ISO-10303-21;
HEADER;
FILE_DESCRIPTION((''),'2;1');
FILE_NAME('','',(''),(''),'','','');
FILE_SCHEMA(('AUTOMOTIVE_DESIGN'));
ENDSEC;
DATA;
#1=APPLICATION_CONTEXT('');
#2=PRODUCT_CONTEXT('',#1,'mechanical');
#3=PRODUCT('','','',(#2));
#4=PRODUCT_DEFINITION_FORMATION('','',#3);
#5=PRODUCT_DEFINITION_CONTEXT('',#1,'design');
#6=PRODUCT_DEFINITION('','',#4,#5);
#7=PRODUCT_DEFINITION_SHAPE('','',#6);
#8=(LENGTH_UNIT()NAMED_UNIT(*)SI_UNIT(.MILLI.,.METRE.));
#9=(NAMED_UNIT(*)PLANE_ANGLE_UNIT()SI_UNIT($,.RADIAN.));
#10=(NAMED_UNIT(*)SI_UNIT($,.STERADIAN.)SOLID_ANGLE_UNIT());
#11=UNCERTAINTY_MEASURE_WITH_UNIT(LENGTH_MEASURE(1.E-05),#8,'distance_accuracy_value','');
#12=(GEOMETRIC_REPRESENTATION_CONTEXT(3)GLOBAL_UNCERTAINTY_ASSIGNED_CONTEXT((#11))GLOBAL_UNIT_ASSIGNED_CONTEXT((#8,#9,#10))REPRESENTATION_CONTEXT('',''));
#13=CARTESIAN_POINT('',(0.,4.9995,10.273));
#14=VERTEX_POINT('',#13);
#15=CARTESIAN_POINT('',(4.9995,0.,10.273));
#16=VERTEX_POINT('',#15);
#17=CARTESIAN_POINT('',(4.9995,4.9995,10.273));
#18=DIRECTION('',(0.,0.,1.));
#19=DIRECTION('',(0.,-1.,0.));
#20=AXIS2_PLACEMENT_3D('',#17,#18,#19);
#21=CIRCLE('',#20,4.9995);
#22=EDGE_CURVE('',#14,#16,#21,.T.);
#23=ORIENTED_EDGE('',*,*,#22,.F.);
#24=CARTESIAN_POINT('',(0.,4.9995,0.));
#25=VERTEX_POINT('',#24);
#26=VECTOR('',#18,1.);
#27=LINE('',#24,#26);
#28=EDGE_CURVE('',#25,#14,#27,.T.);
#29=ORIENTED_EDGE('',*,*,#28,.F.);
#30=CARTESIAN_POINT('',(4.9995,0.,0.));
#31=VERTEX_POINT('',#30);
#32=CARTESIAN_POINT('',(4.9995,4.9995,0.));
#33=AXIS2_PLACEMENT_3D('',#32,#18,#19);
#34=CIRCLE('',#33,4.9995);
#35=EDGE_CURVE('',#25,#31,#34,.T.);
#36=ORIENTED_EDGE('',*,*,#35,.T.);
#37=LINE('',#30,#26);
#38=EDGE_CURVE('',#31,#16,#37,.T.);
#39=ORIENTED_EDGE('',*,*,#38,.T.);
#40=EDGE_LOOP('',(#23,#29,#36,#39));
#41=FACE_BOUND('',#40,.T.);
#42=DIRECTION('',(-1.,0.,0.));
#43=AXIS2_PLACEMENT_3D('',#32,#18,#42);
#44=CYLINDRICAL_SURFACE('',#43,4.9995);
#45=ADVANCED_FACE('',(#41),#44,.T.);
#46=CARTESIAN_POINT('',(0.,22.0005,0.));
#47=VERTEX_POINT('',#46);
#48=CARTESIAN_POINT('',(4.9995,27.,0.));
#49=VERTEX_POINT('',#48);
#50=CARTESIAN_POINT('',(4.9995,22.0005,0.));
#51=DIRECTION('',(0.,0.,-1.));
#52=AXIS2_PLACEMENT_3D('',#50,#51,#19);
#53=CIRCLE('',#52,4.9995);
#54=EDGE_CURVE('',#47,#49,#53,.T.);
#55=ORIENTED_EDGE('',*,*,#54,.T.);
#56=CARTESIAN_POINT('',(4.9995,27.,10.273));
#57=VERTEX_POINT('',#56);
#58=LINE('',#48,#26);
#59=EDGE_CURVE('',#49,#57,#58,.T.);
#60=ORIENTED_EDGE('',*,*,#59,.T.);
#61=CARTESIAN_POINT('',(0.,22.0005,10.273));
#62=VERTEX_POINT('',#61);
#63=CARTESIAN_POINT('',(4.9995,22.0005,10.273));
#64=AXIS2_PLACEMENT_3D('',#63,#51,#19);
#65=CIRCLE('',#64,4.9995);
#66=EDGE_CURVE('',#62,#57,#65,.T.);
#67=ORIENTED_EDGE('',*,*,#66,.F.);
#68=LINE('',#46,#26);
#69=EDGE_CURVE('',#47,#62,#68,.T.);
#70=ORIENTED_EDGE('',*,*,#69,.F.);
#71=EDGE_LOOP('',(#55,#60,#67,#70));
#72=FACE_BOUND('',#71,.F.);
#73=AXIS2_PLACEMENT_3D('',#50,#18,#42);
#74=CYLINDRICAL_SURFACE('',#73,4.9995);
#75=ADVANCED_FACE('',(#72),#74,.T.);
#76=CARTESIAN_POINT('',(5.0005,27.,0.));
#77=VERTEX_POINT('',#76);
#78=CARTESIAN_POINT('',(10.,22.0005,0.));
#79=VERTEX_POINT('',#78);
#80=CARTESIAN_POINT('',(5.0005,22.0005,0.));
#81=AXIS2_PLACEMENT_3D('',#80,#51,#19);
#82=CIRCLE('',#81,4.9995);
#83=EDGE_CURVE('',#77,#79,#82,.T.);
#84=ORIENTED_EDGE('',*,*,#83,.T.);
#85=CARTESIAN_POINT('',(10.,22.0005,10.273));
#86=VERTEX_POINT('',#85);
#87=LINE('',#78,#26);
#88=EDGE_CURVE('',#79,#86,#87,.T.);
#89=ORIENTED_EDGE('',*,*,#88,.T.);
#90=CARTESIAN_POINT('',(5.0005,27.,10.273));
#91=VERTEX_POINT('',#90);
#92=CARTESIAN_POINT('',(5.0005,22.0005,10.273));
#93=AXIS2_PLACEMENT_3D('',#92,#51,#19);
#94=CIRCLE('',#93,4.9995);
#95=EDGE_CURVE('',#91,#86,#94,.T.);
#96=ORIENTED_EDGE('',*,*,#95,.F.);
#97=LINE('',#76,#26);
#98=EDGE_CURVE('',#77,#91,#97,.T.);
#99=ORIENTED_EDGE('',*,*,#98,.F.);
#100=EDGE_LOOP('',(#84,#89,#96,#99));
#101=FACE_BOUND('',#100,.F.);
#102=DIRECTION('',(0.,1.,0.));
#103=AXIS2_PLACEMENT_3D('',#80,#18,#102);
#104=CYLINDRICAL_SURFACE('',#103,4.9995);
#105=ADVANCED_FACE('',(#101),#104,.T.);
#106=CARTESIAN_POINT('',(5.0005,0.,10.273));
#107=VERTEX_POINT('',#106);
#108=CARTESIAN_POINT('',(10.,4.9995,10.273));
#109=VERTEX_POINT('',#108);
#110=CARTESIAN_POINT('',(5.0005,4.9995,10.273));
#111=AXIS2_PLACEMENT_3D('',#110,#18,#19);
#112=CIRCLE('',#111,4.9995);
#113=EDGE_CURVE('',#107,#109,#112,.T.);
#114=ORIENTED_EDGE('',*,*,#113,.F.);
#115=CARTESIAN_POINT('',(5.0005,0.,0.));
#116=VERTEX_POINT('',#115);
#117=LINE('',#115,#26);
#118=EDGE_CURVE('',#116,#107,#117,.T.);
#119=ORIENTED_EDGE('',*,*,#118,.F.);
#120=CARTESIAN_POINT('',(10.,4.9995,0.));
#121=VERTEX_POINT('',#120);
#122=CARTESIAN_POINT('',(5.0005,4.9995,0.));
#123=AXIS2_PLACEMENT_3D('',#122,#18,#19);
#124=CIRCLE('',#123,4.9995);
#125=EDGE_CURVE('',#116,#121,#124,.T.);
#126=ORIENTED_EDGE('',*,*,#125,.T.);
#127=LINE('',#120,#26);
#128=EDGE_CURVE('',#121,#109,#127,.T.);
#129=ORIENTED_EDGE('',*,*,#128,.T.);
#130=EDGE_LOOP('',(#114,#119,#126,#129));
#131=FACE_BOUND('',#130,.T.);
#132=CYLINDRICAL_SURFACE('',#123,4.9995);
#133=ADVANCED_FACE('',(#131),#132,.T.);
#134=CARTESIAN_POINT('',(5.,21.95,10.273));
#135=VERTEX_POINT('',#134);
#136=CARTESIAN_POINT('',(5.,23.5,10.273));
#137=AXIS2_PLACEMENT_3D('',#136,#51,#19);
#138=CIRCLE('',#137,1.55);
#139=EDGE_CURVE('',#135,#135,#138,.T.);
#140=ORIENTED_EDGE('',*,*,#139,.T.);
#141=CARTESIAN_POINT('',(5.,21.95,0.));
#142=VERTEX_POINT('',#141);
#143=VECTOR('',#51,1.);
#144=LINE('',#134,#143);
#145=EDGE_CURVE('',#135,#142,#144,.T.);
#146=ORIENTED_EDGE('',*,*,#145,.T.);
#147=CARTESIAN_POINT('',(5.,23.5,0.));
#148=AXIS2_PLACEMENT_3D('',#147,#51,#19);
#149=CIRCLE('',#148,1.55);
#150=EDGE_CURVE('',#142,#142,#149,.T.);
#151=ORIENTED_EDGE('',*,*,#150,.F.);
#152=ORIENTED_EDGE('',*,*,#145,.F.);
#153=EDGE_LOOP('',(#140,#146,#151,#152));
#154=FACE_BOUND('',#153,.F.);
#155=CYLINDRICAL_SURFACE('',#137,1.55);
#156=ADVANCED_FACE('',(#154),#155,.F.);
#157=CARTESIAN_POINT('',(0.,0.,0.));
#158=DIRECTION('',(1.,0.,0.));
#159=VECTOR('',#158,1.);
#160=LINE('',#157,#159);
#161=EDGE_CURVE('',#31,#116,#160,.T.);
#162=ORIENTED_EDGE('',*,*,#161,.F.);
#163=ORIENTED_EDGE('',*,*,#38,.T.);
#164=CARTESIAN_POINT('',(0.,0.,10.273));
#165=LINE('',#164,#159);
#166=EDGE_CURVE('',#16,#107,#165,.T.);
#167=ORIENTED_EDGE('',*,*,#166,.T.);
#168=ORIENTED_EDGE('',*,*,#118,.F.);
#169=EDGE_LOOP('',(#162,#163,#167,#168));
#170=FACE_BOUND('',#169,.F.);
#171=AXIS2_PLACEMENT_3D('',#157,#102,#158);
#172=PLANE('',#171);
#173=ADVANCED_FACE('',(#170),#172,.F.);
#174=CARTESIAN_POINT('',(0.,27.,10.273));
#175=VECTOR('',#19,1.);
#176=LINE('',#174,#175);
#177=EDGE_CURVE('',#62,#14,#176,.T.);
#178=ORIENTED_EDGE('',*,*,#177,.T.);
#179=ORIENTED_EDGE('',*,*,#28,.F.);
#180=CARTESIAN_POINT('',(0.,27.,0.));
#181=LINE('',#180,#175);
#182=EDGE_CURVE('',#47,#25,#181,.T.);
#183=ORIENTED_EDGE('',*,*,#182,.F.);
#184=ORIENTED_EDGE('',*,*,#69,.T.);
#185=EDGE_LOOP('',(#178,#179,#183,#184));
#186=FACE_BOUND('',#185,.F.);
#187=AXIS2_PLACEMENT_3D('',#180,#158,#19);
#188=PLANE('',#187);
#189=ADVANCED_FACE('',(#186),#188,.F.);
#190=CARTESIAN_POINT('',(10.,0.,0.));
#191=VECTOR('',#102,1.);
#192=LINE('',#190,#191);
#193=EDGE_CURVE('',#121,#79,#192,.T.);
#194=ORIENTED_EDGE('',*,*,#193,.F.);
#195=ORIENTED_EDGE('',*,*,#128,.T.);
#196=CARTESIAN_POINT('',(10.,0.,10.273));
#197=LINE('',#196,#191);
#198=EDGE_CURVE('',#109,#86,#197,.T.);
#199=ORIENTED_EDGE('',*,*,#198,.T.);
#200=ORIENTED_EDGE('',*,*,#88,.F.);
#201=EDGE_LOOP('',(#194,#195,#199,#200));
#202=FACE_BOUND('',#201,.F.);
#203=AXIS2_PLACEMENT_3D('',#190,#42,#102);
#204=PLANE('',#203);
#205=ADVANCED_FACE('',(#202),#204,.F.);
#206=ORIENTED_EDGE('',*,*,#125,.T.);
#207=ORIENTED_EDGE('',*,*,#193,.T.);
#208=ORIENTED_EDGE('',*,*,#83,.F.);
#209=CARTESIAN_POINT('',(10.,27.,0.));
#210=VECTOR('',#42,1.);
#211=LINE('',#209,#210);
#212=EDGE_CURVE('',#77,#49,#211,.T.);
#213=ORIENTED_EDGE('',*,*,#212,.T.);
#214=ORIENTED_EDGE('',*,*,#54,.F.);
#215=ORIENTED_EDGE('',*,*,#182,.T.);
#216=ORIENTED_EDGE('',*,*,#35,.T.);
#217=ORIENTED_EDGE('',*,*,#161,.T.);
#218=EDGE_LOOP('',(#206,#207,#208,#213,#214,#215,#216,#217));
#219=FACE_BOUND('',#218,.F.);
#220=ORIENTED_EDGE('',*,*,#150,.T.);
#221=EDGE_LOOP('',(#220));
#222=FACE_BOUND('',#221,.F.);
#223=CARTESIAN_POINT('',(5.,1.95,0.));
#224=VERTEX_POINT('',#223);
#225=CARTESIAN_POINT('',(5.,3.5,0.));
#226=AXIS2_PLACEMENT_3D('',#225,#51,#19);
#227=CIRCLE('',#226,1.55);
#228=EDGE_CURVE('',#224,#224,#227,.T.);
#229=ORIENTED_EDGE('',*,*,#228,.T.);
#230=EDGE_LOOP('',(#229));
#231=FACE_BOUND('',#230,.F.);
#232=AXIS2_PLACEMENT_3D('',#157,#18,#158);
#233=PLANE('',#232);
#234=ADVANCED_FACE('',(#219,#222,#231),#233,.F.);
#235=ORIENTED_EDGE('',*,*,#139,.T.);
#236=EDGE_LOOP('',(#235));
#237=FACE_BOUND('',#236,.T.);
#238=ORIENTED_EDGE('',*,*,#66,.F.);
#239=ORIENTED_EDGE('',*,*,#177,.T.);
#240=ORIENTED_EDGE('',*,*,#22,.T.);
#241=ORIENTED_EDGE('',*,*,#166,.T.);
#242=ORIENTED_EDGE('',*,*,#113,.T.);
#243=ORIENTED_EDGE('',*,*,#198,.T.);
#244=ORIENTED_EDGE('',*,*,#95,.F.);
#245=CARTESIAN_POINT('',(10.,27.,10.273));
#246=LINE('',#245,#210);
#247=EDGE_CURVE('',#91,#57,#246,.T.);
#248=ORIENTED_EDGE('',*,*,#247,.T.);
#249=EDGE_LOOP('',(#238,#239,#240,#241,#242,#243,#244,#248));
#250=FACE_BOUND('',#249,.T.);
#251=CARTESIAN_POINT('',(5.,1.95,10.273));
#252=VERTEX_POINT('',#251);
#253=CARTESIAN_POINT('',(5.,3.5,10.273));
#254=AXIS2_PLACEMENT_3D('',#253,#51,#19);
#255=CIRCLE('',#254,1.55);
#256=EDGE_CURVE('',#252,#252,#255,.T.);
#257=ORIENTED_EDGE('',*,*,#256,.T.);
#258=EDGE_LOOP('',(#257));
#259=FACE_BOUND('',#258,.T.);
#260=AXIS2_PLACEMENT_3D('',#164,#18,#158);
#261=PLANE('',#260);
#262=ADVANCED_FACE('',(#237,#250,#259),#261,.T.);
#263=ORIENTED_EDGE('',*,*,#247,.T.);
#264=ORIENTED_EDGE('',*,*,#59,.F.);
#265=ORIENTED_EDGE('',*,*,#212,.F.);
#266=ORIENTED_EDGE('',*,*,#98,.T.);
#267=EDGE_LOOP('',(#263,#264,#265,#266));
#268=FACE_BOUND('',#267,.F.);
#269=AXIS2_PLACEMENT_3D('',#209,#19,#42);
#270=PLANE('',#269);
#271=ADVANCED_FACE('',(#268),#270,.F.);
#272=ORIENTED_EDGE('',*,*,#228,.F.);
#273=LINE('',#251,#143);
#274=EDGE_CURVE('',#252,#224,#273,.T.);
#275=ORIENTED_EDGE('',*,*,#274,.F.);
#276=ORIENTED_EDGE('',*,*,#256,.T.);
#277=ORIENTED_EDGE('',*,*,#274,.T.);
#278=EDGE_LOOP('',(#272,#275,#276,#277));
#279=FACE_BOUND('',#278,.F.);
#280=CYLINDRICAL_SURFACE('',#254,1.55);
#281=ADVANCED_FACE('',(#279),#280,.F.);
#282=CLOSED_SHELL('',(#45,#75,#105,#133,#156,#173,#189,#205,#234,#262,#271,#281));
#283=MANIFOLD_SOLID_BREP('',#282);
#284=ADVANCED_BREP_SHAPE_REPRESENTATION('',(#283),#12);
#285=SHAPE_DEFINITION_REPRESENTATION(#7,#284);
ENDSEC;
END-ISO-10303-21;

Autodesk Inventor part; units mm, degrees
ref_plane "YZ Plane" through (0, 0, 0) normal (1, 0, 0) x (0, 1, 0)
ref_plane "XZ Plane" through (0, 0, 0) normal (0, 1, 0) x (-1, 0, 0)
ref_plane "XY Plane" through (0, 0, 0) normal (0, 0, 1) x (1, 0, 0)
sketch "スケッチ1" plane through (0, 0, 0) normal (0, 0, 1) x (1, 0, 0)
  line L0 (0, 0) -> (10, 0)
  line L1 (10, 0) -> (10, 27)
  line L2 (10, 27) -> (0, 27)
  line L3 (0, 27) -> (0, 0)
  dimension "d0" = 27
  dimension "d1" = 10
extrude "押し出し1" add sketch "スケッチ1" along normal blind 10.273
sketch "スケッチ2" plane through (0, 0, 10.273) normal (0, 0, 1) x (1, 0, 0)
  line L0 (0, 27) -> (0, 0) projected
  line L1 (0, 13.5) -> (10, 13.5)
  line L2 (10, 0) -> (10, 27) projected
  line L3 (10, 27) -> (0, 27) projected
  line L4 (5, 27) -> (5, 0)
  line L5 (0, 0) -> (10, 0) projected
  line L6 (0, 27) -> (10, 27)
  point P0 (5, 23.5)
  point P1 (5, 3.5)
  dimension "d4" = 10
hole "穴1" at (5, 23.5, 10.273) at (5, 3.5, 10.273) direction (0, 0, -1) diameter 3.1 end through all
fillet "フィレット1" radius 5 4 edges at (0, 27, 5.1365) (10, 27, 5.1365) (10, 0, 5.1365) (0, 0, 5.1365)
properties part number "link1part2" material "アルミニウム 6061"
